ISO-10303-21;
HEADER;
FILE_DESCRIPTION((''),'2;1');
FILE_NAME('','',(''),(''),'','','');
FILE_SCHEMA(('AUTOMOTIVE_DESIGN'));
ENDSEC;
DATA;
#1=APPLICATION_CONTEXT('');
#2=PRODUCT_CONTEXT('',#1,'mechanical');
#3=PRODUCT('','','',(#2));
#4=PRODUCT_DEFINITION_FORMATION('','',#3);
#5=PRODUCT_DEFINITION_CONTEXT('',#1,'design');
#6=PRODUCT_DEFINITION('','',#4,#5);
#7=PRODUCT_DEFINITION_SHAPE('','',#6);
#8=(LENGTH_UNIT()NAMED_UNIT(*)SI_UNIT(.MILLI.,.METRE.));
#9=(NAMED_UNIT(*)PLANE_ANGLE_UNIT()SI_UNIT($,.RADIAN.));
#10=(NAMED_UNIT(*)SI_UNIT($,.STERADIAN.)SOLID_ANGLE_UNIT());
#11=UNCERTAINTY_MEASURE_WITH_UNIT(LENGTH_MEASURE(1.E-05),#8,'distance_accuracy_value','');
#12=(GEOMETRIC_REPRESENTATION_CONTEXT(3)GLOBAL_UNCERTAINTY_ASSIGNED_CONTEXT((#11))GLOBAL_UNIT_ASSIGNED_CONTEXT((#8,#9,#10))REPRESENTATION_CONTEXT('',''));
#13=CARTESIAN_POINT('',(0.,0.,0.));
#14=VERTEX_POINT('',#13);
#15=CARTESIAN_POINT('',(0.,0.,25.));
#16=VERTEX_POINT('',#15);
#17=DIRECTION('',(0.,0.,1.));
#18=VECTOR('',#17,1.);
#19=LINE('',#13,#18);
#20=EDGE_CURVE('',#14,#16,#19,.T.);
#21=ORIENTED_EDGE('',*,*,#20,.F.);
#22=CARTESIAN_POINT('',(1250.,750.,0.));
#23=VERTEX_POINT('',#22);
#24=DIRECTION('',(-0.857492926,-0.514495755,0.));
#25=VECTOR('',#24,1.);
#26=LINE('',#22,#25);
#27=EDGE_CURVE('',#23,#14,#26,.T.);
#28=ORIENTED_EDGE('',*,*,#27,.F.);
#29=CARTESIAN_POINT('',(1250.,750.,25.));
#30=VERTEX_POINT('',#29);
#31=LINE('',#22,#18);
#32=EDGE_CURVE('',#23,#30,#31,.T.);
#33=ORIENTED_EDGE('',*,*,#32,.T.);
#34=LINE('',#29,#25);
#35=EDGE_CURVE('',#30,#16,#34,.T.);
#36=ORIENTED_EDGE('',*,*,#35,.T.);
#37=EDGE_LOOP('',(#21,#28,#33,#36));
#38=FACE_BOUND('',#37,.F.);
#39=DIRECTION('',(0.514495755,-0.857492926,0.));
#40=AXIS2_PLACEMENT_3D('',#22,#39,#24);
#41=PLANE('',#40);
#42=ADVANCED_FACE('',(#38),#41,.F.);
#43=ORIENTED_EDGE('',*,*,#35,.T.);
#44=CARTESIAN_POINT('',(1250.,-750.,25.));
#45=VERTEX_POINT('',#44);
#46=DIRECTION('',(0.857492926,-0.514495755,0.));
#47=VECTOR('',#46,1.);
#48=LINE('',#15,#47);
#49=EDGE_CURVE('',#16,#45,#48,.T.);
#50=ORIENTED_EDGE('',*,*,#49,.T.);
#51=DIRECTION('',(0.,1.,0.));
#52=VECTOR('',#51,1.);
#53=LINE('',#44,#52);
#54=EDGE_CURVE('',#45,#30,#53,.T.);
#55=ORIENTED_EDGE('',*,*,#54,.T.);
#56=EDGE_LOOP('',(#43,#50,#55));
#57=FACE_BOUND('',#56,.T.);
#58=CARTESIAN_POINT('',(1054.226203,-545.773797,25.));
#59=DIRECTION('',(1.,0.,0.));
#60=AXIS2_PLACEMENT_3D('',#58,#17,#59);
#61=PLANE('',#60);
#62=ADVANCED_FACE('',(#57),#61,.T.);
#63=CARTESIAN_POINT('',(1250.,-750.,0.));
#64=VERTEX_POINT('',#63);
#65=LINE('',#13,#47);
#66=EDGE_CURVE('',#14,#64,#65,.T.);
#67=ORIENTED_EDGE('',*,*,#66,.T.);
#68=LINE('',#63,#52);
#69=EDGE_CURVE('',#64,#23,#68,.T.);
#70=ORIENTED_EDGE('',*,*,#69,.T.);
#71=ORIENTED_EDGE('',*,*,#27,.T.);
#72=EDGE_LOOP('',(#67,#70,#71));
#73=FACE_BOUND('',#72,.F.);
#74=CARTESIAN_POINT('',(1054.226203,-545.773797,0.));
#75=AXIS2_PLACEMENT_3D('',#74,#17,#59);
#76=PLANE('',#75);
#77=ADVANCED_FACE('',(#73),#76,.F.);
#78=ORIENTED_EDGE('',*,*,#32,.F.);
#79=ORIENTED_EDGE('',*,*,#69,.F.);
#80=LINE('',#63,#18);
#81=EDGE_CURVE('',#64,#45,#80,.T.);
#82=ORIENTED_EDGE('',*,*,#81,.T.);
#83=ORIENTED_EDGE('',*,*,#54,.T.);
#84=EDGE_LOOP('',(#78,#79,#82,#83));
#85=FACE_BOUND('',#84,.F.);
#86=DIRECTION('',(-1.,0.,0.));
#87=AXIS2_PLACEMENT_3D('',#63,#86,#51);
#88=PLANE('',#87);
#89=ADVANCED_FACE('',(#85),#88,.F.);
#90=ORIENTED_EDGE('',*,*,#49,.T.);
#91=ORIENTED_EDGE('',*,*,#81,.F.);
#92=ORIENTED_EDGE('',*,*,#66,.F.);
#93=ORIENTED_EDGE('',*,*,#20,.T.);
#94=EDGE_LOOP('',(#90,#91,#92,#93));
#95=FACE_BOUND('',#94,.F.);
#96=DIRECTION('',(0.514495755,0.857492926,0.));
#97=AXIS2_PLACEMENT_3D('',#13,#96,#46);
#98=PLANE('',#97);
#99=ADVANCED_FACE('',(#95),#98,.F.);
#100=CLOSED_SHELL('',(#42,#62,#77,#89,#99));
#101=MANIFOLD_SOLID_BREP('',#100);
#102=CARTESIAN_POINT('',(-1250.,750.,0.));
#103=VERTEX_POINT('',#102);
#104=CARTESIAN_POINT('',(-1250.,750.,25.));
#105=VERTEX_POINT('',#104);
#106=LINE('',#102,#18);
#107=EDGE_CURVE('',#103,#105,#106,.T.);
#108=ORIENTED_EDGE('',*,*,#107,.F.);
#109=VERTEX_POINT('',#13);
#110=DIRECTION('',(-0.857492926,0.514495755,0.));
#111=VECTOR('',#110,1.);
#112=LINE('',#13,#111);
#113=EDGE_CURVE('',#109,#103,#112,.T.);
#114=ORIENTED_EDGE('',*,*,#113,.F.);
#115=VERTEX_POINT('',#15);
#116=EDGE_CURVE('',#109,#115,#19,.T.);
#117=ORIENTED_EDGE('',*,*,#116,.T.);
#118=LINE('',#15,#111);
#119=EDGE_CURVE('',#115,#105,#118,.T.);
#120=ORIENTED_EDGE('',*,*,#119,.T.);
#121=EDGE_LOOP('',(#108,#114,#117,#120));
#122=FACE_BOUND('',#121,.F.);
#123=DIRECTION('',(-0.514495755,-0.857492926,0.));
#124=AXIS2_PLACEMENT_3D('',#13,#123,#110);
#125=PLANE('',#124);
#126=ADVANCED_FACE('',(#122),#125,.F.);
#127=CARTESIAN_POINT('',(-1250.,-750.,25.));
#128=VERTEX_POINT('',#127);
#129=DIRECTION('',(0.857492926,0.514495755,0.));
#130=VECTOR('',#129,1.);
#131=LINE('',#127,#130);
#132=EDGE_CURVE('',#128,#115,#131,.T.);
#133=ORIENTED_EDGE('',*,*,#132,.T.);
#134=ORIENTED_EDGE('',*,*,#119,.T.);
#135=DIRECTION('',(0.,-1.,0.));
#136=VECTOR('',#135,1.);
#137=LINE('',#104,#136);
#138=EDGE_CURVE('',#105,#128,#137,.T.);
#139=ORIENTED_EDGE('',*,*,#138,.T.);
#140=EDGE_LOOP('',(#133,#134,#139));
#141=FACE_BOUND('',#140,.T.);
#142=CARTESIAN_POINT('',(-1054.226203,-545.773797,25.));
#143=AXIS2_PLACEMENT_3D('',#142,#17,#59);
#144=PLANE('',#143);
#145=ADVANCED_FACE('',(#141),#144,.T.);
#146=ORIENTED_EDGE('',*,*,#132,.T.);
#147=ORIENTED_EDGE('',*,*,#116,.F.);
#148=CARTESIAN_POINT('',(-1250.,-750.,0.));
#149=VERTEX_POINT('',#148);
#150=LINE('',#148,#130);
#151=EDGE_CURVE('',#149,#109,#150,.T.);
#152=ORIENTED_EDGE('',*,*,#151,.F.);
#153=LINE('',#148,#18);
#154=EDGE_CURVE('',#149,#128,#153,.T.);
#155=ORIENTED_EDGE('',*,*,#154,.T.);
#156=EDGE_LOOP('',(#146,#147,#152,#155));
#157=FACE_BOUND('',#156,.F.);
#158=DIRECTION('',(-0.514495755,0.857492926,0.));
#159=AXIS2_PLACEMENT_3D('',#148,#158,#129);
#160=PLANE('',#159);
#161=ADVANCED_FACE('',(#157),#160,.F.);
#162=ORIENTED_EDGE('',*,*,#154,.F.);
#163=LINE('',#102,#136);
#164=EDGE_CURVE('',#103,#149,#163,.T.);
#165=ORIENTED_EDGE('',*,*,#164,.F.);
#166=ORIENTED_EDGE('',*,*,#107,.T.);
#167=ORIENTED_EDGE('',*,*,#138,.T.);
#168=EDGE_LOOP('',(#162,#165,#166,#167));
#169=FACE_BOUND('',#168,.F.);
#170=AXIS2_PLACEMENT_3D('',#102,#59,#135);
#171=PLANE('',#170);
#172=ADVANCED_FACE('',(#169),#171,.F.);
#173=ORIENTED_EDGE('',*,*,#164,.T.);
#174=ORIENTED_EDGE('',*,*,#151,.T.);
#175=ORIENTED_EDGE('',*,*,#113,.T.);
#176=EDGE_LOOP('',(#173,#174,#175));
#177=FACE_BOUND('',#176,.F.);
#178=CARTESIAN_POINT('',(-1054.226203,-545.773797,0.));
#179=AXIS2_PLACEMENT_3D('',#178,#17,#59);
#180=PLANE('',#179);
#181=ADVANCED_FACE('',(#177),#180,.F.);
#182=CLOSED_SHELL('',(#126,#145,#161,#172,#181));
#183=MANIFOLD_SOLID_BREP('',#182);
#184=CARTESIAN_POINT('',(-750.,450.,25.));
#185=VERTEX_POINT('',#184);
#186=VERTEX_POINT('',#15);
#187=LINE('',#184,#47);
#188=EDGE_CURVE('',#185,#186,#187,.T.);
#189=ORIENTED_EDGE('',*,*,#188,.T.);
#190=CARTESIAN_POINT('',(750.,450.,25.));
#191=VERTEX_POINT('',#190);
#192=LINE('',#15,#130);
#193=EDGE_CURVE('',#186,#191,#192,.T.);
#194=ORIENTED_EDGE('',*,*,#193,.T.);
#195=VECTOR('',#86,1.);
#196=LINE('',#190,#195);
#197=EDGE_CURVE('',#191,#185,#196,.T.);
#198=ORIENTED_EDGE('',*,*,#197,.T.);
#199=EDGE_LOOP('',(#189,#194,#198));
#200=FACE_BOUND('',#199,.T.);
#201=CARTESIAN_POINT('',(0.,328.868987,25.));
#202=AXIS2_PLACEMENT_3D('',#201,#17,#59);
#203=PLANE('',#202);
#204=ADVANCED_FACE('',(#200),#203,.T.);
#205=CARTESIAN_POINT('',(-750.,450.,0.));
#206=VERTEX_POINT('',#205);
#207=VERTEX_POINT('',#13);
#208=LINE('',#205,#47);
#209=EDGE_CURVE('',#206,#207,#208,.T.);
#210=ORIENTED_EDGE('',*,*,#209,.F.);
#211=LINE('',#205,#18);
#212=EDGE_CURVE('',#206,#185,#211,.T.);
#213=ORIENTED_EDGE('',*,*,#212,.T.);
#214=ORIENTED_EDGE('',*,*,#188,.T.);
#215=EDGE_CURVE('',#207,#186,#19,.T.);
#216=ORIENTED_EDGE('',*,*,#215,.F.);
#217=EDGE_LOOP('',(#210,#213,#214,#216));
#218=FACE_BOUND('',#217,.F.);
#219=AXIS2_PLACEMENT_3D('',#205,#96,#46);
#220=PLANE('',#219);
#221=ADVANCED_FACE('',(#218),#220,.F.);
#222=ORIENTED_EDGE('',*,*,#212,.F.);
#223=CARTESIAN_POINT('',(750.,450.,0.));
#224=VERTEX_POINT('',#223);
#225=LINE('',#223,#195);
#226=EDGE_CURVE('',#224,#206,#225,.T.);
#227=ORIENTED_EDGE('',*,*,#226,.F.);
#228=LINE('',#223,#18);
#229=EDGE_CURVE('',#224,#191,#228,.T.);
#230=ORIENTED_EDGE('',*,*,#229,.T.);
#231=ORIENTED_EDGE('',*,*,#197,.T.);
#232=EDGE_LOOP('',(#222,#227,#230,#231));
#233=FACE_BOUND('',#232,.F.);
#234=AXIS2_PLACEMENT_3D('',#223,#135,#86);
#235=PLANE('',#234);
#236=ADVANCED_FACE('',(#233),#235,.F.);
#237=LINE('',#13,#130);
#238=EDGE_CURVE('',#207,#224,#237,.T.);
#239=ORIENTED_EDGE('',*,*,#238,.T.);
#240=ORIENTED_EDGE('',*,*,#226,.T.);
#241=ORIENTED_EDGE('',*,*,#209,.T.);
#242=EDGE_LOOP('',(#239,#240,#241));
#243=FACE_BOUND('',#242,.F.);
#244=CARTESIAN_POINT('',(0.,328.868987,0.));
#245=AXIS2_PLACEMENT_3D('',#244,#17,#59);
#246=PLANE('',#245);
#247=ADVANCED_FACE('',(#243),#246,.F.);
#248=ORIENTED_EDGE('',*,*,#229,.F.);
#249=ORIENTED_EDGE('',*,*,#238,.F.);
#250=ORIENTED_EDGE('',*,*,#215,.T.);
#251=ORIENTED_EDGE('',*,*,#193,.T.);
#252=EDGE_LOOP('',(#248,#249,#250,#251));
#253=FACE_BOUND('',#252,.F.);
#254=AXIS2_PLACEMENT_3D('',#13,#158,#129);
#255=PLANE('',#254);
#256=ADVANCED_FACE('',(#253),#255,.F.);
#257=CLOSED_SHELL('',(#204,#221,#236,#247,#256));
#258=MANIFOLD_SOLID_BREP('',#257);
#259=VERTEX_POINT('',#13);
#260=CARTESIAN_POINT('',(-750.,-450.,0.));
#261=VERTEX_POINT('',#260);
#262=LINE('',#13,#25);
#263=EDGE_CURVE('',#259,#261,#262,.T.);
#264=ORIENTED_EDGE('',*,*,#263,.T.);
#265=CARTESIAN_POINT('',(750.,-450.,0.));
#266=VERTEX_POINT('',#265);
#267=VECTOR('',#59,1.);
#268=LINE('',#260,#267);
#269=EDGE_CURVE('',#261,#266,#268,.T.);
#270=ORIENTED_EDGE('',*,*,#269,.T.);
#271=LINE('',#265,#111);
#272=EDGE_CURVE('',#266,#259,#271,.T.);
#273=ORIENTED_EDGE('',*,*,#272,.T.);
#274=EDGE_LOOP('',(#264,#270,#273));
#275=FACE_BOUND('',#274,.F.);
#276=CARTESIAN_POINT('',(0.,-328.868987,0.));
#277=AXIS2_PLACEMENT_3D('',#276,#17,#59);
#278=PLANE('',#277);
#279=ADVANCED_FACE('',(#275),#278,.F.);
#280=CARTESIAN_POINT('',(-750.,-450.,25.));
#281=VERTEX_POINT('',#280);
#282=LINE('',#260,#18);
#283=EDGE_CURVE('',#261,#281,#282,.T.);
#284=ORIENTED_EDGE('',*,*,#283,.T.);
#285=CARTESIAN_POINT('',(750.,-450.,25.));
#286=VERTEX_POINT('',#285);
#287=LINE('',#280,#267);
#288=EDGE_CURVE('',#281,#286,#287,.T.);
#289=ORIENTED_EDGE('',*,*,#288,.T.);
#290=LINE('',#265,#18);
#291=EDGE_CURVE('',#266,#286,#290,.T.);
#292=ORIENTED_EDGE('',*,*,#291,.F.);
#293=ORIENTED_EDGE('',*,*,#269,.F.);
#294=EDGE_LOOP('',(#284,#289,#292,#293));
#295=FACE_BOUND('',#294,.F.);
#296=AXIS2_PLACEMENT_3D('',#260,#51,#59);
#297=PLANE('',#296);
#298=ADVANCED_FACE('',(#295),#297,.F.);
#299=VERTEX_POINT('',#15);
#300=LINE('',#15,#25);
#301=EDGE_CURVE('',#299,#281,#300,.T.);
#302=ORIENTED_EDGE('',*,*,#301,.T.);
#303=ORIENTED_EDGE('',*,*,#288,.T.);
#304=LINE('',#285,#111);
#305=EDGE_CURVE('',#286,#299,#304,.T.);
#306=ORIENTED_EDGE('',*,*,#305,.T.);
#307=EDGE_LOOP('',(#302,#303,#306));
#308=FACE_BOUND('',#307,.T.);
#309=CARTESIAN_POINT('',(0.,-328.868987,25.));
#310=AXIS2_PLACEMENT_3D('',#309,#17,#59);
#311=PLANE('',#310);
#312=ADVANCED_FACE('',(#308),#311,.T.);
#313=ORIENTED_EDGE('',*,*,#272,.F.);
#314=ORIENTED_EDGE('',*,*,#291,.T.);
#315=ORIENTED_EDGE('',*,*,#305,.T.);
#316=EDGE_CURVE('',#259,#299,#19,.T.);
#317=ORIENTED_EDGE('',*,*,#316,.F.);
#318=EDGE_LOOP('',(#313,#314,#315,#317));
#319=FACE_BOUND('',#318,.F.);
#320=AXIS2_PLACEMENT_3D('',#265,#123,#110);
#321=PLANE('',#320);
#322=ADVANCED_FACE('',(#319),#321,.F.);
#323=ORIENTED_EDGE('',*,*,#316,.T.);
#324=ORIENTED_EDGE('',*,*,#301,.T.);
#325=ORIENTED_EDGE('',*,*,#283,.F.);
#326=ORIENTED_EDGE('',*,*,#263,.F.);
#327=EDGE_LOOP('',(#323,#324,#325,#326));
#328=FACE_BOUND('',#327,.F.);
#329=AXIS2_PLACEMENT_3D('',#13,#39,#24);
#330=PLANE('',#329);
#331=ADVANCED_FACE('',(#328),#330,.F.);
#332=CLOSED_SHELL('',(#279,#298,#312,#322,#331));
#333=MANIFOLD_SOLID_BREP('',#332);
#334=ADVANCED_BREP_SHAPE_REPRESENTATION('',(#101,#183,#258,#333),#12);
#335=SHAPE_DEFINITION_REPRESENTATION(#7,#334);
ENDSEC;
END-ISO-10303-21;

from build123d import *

# Parameters (mm, degrees)
F2_DEPTH = 25
F3_DEPTH = 25


with BuildPart() as f2:
    # F1 (on Top) → F2 (new body)
    with BuildSketch(Plane.XY):
        Polygon((750, -450), (1250, -750), (1250, -450), align=None)
        Polygon((750, 450), (1250, 450), (1250, 750), align=None)
        Polygon((750, -450), (1250, -450), (1250, 450), (750, 450), (0, 0), align=None)
    extrude(amount=F2_DEPTH)


with BuildPart() as f2b:
    # F1 (on Top) → F2, piece 2 (new body)
    with BuildSketch(Plane.XY):
        Polygon((-1250, -450), (-1250, -750), (-750, -450), align=None)
        Polygon((-1250, 750), (-1250, 450), (-750, 450), align=None)
        Polygon((-1250, 450), (-1250, -450), (-750, -450), (0, 0), (-750, 450), align=None)
    extrude(amount=F2_DEPTH)


with BuildPart() as f3:
    # F1 (on Top) → F3 (new body)
    with BuildSketch(Plane.XY):
        Polygon((-750, 450), (0, 0), (750, 450), align=None)
    extrude(amount=F3_DEPTH)


with BuildPart() as f3b:
    # F1 (on Top) → F3, piece 2 (new body)
    with BuildSketch(Plane.XY):
        Polygon((-750, -450), (750, -450), (0, 0), align=None)
    extrude(amount=F3_DEPTH)


solid = Compound([f2.part, f2b.part, f3.part, f3b.part])
